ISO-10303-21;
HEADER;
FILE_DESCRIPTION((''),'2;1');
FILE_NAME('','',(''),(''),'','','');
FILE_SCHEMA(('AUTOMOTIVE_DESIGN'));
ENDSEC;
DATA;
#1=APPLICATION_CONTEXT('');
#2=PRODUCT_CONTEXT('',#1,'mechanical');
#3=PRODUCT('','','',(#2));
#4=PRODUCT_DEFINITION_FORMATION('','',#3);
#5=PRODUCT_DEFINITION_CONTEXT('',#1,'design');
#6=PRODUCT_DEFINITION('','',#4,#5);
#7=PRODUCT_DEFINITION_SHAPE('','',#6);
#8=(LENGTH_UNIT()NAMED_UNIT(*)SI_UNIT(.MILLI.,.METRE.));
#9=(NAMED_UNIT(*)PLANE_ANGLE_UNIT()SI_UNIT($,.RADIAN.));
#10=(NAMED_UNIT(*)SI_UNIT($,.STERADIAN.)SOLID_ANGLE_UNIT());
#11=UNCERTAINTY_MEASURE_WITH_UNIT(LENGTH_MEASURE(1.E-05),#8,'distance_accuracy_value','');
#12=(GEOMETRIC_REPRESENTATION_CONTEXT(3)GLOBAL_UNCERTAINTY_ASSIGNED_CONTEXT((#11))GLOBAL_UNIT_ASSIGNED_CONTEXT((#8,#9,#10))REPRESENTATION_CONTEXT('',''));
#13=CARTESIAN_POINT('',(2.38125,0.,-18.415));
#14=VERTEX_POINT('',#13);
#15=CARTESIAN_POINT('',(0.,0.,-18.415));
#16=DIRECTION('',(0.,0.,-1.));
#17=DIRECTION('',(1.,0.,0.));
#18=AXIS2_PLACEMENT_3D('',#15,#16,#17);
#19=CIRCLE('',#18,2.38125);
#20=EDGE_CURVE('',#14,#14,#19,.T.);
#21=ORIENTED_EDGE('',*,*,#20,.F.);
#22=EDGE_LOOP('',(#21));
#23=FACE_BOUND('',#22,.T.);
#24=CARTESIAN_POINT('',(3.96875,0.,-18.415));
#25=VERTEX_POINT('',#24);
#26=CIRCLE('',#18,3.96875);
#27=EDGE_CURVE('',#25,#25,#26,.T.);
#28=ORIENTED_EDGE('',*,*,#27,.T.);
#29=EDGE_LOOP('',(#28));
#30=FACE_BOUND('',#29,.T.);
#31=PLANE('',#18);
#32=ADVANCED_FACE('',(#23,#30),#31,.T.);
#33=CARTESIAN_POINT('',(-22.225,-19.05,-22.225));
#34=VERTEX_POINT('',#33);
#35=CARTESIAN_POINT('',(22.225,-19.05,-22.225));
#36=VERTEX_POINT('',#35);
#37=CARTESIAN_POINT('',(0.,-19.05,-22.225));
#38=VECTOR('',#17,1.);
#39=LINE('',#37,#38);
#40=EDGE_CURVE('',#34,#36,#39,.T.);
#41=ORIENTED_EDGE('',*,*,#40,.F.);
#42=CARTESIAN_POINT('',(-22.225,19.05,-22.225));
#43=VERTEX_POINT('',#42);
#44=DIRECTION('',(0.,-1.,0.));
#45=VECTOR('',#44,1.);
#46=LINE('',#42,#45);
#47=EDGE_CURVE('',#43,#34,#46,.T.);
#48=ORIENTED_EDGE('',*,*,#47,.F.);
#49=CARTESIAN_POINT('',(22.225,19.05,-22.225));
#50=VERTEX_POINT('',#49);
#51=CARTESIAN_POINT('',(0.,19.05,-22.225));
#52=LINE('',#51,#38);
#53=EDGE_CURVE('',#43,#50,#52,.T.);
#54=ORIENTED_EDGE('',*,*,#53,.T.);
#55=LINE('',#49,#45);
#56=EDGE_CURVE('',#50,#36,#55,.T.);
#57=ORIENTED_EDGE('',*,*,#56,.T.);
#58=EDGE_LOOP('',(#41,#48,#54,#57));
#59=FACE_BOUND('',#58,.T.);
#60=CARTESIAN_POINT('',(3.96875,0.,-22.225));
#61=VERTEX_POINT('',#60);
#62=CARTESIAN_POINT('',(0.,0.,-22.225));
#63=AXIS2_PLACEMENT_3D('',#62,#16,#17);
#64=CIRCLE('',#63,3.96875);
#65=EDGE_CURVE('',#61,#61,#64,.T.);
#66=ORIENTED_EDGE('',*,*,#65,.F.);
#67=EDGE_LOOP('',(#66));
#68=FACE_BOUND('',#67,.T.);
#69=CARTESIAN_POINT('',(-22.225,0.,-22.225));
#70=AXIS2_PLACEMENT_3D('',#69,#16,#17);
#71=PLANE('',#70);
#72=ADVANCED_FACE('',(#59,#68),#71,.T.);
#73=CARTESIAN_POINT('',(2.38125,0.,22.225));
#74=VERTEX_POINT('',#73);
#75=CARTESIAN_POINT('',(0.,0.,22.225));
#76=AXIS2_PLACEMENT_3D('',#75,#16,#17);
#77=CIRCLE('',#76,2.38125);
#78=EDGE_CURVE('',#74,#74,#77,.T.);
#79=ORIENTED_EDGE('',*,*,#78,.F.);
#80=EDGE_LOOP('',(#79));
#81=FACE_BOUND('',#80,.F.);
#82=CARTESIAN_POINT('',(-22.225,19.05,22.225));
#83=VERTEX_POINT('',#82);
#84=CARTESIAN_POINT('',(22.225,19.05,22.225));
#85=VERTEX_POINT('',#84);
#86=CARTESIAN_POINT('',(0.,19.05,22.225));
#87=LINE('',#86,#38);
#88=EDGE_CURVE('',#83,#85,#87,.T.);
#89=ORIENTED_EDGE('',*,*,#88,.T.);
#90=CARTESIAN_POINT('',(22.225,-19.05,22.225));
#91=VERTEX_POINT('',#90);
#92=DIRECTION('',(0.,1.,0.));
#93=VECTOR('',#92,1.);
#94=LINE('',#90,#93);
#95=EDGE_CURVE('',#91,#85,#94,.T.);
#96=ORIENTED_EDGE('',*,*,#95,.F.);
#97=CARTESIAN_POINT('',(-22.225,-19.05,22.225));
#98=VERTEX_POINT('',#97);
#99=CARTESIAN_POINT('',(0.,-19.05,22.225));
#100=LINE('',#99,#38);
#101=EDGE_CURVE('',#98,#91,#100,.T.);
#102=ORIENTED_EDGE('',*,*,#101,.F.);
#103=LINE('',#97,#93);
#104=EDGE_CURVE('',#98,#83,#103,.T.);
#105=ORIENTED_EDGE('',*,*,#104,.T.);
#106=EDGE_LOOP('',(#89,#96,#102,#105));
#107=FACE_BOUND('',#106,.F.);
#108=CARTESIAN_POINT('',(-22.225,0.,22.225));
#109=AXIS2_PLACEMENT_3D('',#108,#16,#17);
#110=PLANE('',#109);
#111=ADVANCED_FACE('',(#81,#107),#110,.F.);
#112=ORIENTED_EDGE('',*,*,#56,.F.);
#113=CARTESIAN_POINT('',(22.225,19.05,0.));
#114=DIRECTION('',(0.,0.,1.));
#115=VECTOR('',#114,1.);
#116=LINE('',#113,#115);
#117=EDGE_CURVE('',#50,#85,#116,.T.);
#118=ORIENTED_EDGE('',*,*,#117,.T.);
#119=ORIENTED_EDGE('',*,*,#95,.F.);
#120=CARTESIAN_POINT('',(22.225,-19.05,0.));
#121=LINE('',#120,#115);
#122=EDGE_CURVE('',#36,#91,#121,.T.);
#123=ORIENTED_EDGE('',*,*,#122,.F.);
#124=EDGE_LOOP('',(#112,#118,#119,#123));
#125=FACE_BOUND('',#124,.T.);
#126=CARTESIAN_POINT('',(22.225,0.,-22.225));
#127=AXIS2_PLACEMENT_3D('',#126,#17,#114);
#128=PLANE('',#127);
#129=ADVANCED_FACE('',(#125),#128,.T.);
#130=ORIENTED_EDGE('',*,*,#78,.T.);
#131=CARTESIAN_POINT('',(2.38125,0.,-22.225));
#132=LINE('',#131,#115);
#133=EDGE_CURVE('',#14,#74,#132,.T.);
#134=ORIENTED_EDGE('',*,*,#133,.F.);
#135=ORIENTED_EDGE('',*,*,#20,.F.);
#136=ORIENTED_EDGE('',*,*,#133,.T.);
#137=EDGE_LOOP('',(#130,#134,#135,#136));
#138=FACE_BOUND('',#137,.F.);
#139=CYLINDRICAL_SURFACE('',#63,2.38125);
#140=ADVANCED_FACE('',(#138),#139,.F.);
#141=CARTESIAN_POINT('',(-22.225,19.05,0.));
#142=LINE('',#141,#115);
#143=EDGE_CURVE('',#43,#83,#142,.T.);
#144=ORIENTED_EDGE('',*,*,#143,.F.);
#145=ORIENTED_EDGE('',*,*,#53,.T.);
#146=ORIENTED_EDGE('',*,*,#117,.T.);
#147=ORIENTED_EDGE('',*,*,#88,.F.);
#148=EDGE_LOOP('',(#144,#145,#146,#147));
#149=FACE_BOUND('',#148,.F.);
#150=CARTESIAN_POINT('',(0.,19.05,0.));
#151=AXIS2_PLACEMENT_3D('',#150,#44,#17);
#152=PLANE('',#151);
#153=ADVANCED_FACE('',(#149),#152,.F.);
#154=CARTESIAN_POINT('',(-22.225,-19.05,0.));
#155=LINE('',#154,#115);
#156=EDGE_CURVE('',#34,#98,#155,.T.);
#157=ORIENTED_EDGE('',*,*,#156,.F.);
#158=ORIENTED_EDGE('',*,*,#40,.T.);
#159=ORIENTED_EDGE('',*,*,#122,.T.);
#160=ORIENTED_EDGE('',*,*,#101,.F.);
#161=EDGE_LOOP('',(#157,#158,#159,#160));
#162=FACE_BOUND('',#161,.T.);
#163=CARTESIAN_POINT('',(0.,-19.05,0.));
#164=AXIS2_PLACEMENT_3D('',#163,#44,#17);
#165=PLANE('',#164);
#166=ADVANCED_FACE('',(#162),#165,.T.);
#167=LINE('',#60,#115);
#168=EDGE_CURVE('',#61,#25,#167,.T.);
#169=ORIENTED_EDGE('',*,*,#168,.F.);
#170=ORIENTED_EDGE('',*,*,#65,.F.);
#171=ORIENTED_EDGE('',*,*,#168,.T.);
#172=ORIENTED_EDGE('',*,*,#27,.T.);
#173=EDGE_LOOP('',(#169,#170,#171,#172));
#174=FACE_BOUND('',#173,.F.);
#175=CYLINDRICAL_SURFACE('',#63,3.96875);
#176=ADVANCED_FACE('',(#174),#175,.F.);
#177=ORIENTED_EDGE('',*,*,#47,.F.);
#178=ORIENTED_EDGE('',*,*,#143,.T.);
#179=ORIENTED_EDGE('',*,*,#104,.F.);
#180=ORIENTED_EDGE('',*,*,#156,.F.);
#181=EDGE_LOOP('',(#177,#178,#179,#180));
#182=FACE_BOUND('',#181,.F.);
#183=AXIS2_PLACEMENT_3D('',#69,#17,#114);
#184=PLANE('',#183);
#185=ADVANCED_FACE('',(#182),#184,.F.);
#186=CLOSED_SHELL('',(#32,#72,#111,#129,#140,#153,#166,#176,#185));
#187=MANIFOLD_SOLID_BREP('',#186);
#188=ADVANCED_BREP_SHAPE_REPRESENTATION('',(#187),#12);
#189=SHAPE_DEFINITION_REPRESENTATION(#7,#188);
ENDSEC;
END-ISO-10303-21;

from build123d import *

# Parameters (mm, degrees)
F0_W     = 44.45
F0_H     = 44.45
F1_DEPTH = 19.05
F2_R     = 2.38125
F3_DEPTH = 44.451
F2_R_2   = 3.96875
F4_DEPTH = 3.81


with BuildPart() as f1:
    # F0 (on Front) → F1 (new body, symmetric)
    with BuildSketch(Plane.XZ):
        Rectangle(F0_W, F0_H)
    extrude(amount=F1_DEPTH, both=True)

    # F2 (on face) → F3 (cut, through all)
    with BuildSketch(Plane(origin=(0, 0, -22.225), x_dir=(1, 0, 0), z_dir=(0, 0, -1))):
        Circle(F2_R)
    extrude(amount=-F3_DEPTH, mode=Mode.SUBTRACT)

    # F2 (on face) → F4 (cut)
    with BuildSketch(Plane(origin=(0, 0, -22.225), x_dir=(1, 0, 0), z_dir=(0, 0, -1))):
        Circle(F2_R_2)
        Circle(F2_R, mode=Mode.SUBTRACT)
    extrude(amount=-F4_DEPTH, mode=Mode.SUBTRACT)


solid = f1.part
